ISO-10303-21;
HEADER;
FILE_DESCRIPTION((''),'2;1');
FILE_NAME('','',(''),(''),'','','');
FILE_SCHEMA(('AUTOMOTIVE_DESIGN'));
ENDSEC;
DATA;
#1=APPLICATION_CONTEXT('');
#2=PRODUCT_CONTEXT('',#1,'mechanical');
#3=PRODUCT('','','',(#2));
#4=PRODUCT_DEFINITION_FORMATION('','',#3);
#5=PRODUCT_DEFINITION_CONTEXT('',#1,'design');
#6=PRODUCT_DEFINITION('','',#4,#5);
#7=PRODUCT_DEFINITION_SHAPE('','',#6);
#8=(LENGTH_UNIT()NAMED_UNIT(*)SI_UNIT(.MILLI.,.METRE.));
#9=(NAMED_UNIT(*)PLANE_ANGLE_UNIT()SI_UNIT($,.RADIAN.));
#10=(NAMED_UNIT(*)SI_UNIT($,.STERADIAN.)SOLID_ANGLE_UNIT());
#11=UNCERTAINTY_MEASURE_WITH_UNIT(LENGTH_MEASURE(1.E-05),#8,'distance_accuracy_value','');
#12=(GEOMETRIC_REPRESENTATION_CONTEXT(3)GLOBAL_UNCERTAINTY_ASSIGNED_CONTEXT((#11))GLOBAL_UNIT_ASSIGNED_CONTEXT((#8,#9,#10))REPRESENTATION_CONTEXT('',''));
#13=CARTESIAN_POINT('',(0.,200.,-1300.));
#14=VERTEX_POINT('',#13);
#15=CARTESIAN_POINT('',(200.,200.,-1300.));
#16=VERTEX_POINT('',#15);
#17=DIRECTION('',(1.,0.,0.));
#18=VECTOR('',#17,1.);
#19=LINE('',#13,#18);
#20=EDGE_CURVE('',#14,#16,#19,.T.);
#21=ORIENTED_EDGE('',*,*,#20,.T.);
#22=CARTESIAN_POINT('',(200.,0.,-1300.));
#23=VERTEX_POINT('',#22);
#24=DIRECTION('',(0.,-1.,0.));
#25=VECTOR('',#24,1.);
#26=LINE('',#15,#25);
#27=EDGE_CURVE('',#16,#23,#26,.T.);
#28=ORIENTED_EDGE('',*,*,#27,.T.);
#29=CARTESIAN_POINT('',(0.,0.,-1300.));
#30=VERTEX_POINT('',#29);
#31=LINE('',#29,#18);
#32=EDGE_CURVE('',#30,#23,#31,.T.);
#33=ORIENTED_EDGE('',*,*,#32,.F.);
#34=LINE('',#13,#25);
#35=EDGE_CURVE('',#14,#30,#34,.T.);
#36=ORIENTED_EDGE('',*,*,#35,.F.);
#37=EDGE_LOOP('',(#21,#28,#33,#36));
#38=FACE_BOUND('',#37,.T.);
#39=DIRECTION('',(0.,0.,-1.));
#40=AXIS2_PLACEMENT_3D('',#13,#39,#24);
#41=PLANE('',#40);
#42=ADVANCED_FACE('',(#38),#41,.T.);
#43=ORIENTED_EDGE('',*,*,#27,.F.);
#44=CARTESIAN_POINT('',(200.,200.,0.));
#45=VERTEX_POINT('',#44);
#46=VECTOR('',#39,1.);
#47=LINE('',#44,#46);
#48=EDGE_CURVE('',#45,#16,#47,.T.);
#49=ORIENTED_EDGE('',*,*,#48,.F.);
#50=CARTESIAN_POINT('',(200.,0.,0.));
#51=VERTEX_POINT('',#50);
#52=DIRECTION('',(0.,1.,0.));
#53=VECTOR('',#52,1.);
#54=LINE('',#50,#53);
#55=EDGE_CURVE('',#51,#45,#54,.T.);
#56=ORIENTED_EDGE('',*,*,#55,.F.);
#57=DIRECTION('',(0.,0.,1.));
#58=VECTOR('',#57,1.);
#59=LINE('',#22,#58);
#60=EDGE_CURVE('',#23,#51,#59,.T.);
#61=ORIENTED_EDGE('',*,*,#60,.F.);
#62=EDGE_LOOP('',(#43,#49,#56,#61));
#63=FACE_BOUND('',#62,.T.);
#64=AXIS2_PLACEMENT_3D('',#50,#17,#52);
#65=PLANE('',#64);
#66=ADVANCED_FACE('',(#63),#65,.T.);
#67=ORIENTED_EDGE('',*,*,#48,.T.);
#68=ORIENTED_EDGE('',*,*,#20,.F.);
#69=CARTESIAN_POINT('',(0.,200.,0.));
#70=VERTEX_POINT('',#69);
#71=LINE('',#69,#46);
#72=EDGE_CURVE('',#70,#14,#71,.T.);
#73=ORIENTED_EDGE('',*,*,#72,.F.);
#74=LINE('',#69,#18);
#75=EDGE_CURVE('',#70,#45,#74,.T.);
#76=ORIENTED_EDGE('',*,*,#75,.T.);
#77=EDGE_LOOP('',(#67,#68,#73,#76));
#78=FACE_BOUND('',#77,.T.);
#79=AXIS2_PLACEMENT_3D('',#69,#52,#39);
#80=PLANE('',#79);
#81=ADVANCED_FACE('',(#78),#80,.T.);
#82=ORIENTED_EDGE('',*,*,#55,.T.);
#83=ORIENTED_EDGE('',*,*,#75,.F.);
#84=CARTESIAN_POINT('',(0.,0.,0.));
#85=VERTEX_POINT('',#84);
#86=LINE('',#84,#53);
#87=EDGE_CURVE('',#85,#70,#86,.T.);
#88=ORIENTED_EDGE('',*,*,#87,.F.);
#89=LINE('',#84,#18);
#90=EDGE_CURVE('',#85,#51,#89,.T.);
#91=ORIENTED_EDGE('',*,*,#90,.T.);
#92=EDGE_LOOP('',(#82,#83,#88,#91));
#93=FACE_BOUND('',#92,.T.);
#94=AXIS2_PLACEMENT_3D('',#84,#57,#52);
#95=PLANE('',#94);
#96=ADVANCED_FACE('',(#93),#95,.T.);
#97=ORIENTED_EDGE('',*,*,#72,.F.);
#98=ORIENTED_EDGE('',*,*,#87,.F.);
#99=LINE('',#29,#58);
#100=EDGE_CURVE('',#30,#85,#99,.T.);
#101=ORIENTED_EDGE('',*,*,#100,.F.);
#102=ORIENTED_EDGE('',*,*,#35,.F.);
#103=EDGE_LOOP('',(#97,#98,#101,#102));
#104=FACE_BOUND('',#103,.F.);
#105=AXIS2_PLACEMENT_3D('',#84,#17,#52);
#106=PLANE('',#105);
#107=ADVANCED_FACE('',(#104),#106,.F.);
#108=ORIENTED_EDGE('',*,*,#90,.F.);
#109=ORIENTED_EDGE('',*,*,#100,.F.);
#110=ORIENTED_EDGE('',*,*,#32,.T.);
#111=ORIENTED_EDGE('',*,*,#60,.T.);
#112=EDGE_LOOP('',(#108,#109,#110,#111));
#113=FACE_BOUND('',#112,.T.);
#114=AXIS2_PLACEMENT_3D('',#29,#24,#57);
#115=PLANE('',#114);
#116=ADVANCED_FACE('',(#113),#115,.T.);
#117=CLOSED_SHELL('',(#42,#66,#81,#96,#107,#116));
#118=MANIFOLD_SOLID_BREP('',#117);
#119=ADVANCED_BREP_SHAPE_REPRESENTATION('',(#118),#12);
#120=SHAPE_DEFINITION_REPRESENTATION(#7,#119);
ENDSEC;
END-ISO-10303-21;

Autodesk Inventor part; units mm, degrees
ref_plane "YZ Plane" through (0, 0, 0) normal (1, 0, 0) x (0, 1, 0)
ref_plane "XZ Plane" through (0, 0, 0) normal (0, 1, 0) x (-1, 0, 0)
ref_plane "XY Plane" through (0, 0, 0) normal (0, 0, 1) x (1, 0, 0)
sketch "Sketch1" plane through (0, 0, 0) normal (1, 0, 0) x (0, 1, 0)
  line L0 (0, 0) -> (200, 0)
  line L1 (200, 0) -> (200, -1300)
  line L2 (200, -1300) -> (0, -1300)
  line L3 (0, -1300) -> (0, 0)
  dimension "d0" = 200
  dimension "d1" = 1300
extrude "Extrusion1" add sketch "Sketch1" along normal blind 200
properties part number "Short Horizontal for Truss" material "Stainless Steel"
